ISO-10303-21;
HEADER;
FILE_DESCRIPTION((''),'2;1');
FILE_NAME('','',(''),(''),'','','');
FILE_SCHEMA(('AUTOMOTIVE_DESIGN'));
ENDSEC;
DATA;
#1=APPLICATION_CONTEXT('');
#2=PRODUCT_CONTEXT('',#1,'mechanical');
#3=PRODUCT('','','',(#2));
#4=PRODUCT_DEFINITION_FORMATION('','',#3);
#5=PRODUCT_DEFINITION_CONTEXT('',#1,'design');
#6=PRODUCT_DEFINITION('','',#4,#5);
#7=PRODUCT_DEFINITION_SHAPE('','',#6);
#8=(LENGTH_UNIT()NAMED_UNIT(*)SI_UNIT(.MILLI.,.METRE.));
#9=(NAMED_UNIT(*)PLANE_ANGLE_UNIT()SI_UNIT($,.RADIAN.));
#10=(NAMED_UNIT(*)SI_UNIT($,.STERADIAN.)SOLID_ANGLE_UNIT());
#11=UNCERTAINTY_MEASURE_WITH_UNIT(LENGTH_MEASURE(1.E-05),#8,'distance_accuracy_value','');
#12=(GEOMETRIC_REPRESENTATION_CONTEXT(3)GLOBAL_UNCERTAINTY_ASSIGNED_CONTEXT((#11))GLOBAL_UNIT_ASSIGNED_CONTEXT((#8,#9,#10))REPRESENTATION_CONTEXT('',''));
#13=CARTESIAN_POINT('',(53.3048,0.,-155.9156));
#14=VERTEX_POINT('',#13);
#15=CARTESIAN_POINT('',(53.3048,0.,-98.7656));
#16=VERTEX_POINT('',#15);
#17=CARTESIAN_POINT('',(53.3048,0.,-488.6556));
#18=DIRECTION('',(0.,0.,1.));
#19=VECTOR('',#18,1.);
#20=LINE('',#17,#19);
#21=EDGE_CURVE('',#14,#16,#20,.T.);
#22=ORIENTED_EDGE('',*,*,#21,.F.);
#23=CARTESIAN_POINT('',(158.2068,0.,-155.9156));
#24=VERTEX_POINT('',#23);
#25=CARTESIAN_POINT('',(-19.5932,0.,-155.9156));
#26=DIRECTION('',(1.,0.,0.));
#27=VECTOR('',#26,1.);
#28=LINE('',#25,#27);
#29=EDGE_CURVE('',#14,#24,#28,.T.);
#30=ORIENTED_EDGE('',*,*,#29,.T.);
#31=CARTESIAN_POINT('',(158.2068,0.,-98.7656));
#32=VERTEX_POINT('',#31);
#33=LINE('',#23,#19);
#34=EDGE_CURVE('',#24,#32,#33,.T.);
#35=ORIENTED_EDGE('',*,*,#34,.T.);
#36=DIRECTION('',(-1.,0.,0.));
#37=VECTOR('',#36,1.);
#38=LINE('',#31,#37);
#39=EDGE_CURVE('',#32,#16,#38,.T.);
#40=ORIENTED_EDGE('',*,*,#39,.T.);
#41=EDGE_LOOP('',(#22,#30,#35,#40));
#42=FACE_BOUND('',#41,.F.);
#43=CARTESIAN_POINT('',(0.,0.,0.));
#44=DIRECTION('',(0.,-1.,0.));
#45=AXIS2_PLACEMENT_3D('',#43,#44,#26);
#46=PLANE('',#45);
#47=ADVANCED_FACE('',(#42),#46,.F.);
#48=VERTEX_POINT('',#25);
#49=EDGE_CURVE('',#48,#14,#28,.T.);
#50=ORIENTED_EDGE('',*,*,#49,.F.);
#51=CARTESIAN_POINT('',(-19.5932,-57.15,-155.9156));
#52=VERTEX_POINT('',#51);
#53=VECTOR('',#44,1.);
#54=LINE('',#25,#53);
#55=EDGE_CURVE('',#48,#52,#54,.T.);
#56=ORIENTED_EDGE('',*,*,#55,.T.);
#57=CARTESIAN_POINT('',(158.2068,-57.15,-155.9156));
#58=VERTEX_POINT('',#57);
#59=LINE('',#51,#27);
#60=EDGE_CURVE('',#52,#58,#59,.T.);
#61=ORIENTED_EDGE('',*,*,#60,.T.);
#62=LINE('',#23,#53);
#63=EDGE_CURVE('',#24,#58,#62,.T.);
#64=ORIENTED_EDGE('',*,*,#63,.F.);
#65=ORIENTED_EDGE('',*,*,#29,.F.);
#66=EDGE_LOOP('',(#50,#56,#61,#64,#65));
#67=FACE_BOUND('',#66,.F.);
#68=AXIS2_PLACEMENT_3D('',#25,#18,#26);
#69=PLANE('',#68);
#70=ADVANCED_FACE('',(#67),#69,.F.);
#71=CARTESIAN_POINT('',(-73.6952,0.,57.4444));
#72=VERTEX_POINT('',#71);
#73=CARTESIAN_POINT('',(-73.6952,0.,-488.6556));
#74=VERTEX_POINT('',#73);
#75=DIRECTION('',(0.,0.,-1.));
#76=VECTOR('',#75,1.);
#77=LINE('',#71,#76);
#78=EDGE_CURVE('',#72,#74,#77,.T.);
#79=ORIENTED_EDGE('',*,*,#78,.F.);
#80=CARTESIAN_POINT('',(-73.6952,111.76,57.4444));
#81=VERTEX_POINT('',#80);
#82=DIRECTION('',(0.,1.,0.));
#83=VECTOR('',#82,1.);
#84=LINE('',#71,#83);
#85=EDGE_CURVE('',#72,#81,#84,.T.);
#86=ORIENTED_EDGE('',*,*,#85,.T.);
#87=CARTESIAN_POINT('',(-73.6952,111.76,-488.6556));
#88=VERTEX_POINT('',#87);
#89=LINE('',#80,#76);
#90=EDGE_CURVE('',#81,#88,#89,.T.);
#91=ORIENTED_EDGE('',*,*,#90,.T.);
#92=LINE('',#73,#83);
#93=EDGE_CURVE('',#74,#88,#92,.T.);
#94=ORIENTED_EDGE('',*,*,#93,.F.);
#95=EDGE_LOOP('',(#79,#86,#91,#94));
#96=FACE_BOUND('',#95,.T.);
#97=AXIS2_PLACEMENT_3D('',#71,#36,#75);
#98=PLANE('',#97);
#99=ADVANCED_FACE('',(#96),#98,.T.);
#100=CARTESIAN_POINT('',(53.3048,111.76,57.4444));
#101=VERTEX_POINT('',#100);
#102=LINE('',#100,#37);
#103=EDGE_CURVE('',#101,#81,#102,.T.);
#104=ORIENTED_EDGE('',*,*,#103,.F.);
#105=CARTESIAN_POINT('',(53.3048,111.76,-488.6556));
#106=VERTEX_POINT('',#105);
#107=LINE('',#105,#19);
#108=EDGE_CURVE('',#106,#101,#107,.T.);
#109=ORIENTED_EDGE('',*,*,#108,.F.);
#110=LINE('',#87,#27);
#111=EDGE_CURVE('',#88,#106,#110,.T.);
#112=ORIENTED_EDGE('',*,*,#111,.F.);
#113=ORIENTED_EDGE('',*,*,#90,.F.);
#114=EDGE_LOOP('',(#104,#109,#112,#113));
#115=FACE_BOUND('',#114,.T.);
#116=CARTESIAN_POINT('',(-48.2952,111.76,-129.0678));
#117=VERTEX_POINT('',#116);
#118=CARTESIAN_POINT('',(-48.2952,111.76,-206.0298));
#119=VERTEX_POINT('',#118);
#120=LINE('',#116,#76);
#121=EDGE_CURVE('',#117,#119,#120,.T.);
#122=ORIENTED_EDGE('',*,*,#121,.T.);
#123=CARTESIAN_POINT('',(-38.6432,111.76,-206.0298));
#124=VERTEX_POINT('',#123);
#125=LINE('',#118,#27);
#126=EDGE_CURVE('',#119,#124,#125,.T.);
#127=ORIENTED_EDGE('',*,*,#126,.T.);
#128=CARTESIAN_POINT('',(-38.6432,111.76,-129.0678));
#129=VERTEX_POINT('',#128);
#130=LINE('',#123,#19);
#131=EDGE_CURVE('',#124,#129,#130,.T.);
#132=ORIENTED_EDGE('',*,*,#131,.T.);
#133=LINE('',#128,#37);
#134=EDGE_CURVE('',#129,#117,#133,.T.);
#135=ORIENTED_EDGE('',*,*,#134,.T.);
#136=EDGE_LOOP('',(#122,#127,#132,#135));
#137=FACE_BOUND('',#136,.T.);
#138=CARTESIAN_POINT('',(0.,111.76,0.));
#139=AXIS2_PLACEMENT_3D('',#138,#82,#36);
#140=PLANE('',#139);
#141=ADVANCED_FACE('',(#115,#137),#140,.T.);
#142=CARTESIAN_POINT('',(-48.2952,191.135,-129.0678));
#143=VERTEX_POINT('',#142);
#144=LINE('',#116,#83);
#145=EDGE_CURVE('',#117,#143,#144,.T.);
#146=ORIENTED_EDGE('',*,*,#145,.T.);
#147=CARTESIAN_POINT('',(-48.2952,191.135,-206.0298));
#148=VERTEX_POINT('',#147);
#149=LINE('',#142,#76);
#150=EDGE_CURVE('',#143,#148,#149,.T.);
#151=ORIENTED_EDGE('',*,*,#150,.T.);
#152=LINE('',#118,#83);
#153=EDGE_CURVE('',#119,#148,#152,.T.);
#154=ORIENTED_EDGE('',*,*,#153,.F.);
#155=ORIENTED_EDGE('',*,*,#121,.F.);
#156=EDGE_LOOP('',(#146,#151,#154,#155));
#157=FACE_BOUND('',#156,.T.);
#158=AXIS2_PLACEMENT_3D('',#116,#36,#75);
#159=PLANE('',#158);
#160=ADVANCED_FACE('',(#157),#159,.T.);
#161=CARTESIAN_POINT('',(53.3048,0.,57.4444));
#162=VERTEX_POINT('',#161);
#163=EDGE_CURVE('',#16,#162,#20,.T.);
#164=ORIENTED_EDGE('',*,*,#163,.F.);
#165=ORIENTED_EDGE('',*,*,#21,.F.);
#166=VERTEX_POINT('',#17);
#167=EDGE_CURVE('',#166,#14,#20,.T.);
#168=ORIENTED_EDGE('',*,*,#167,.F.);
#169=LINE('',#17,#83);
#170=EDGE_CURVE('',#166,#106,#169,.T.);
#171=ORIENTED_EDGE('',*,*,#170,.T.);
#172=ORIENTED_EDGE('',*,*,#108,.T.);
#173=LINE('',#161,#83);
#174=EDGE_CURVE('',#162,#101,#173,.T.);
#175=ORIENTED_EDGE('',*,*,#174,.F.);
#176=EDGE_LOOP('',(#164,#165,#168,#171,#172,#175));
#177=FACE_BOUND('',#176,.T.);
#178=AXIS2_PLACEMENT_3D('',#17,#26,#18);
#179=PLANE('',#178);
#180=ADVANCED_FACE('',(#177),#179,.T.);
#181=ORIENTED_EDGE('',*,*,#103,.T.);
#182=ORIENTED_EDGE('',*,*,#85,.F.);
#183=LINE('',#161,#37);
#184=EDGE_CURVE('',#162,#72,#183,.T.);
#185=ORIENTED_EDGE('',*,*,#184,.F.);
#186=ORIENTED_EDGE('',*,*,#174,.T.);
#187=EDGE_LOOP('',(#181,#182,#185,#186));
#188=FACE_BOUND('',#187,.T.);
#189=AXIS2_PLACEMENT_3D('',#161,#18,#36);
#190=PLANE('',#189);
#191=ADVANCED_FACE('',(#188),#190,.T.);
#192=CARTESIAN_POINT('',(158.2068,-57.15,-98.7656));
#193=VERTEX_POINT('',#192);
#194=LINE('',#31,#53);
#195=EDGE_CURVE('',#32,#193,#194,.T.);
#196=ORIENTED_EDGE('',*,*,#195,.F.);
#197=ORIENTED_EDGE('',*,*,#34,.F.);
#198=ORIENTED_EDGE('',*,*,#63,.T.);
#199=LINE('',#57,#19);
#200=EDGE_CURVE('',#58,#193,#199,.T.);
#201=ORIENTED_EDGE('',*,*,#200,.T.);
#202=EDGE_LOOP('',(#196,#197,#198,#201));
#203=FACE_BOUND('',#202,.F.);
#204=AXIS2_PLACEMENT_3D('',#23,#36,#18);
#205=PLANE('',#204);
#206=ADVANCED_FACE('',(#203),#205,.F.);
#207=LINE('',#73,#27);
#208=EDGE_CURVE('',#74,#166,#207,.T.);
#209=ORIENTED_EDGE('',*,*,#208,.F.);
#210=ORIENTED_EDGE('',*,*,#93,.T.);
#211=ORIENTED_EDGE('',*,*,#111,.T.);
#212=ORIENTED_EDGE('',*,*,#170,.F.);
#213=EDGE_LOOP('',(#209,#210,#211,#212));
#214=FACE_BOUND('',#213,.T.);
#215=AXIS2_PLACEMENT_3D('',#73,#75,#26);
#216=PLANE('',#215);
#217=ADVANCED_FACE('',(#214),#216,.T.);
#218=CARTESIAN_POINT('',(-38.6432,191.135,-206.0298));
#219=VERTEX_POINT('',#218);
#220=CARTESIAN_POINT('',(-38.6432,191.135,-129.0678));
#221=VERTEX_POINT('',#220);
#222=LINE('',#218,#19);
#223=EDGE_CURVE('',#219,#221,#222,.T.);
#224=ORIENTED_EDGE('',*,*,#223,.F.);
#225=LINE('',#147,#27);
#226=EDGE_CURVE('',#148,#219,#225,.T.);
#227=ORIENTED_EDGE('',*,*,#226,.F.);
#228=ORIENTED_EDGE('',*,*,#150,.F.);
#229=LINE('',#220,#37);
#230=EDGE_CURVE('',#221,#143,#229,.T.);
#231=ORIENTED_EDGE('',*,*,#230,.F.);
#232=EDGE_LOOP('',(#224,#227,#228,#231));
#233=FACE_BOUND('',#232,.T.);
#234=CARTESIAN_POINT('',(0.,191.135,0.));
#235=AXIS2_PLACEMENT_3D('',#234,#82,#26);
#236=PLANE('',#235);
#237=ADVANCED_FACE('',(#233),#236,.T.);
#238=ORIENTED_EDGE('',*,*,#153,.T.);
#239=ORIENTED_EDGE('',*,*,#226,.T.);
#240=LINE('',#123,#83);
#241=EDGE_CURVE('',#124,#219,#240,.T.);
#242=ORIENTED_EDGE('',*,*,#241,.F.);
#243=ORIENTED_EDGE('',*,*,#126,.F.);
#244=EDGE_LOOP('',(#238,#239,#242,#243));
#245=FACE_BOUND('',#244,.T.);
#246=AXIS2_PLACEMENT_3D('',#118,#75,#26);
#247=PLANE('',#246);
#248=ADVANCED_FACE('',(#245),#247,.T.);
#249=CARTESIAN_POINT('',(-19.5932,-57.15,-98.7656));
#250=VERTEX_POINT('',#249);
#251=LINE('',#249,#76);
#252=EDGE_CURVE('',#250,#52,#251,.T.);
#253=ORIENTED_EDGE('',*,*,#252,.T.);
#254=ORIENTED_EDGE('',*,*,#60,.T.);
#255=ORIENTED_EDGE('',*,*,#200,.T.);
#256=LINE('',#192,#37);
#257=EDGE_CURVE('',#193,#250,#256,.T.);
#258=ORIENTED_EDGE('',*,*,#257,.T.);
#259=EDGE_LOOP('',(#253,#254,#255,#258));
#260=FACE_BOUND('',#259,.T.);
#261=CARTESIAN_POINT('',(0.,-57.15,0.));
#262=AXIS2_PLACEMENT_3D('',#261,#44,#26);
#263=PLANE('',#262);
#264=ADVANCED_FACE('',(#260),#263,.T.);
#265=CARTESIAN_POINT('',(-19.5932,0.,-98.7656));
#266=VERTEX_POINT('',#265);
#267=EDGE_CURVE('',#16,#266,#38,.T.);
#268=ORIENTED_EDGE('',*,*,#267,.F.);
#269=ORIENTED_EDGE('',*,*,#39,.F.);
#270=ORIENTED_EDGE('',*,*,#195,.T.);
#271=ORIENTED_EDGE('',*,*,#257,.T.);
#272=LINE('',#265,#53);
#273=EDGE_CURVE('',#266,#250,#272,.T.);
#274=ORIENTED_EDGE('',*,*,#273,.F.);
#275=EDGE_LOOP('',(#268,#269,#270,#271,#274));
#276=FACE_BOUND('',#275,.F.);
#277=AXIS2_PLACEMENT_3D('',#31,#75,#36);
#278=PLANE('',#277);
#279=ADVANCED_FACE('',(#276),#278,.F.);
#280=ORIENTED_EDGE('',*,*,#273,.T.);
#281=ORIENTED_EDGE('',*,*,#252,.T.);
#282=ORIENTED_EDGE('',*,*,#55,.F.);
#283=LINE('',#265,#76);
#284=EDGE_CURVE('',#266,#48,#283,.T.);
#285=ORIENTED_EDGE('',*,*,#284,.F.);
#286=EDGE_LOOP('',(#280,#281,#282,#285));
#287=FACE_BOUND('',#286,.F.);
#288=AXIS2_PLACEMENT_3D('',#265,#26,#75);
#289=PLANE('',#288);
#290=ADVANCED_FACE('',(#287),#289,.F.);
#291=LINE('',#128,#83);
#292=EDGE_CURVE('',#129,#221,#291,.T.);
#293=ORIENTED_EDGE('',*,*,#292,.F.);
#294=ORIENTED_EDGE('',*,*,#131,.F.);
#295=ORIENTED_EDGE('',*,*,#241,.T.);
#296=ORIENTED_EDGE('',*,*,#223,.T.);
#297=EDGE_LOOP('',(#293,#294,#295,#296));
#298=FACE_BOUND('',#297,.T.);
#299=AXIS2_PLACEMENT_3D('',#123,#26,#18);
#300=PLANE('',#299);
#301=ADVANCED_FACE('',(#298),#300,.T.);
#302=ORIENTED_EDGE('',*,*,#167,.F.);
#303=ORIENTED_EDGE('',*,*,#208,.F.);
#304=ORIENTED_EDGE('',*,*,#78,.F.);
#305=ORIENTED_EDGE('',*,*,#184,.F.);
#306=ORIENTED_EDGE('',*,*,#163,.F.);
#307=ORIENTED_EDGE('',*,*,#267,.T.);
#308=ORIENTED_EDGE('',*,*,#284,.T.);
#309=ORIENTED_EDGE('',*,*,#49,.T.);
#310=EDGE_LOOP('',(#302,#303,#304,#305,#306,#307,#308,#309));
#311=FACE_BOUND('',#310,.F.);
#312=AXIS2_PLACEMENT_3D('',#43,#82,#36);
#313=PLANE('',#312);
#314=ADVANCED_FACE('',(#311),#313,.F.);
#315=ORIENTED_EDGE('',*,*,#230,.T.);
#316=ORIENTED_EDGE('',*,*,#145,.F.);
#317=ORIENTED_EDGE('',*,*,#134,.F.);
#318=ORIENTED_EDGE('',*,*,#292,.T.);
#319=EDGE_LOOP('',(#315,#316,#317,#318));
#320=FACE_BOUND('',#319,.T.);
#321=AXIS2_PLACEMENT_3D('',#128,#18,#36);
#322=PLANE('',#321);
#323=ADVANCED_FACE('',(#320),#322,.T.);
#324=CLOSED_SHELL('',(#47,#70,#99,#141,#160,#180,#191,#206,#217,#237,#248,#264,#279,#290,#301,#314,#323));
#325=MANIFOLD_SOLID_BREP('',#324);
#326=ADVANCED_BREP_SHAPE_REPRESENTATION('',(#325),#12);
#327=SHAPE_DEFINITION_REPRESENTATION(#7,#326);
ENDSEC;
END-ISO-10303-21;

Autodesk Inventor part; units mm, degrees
ref_plane "YZ Plane" through (0, 0, 0) normal (1, 0, 0) x (0, 1, 0)
ref_plane "XZ Plane" through (0, 0, 0) normal (0, 1, 0) x (-1, 0, 0)
ref_plane "XY Plane" through (0, 0, 0) normal (0, 0, 1) x (1, 0, 0)
sketch "Sketch1" plane through (0, 0, 0) normal (0, 1, 0) x (-1, 0, 0)
  line L0 (-53.3048, 57.4444) -> (73.6952, 57.4444)
  line L1 (73.6952, 57.4444) -> (73.6952, -488.6556)
  line L2 (73.6952, -488.6556) -> (-53.3048, -488.6556)
  line L3 (-53.3048, -488.6556) -> (-53.3048, 57.4444)
  point P0 (0, 0)
  dimension "d0" = 127
  dimension "d1" = 546.1
extrude "Extrusion1" add sketch "Sketch1" along normal blind 111.76
sketch "Sketch2" plane through (0, 111.76, 0) normal (0, 1, 0) x (1, 0, 0)
  line L0 (-38.6432, 129.0678) -> (-48.2952, 129.0678)
  line L1 (-48.2952, 129.0678) -> (-48.2952, 206.0298)
  line L2 (-48.2952, 206.0298) -> (-38.6432, 206.0298)
  line L3 (-38.6432, 206.0298) -> (-38.6432, 129.0678)
  line L4 (53.3048, -57.4444) -> (53.3048, 488.6556) projected
  line L5 (-73.6952, 488.6556) -> (-73.6952, -57.4444) projected
  line L6 (-73.6952, -57.4444) -> (53.3048, -57.4444) projected
  point P0 (0, 0)
  dimension "d4" = 9.652
  dimension "d5" = 76.962
  dimension "d8" = 25.4
  dimension "d9" = 186.5122
extrude "Extrusion2" add sketch "Sketch2" along normal blind 79.375
sketch "Sketch3" plane through (-38.6432, 111.76, -129.0678) normal (1, 0, 0) x (0, 0, -1)
  line L0 (16.1079, 65.0185) -> (71.5479, 65.0185) construction
  line L1 (71.5479, 65.0185) -> (71.5479, 29.0665) construction
  line L2 (71.5479, 29.0665) -> (16.1079, 29.0665) construction
  line L3 (16.1079, 29.0665) -> (16.1079, 65.0185) construction
  point P0 (-129.0678, -111.76)
sketch "Sketch4" plane through (0, 0, 0) normal (0, -1, 0) x (1, 0, 0)
  line L0 (-19.5932, -155.9156) -> (158.2068, -155.9156)
  line L1 (158.2068, -155.9156) -> (158.2068, -98.7656)
  line L2 (158.2068, -98.7656) -> (-19.5932, -98.7656)
  line L3 (-19.5932, -98.7656) -> (-19.5932, -155.9156)
  line L4 (-73.6952, -488.6556) -> (53.3048, -488.6556) projected
  line L5 (-73.6952, 57.4444) -> (-73.6952, -488.6556) projected
  point P0 (0, 0)
  dimension "d13" = 332.74
  dimension "d14" = 57.15
  dimension "d15" = 54.102
  dimension "d16" = 177.8
extrude "Extrusion3" add sketch "Sketch4" along normal blind 57.15
sketch "Sketch5" plane through (158.2068, 0, -155.9156) normal (0, 0, -1) x (-1, 0, 0)
  line L0 (25.6026, -7.1293) -> (89.7659, -7.1293) construction
  line L1 (89.7659, -7.1293) -> (89.7659, -41.3497) construction
  line L2 (89.7659, -41.3497) -> (25.6026, -41.3497) construction
  line L3 (25.6026, -41.3497) -> (25.6026, -7.1293) construction
  point P0 (158.2068, 0)
properties part number "CLB_056_4StagePlaceholder"
